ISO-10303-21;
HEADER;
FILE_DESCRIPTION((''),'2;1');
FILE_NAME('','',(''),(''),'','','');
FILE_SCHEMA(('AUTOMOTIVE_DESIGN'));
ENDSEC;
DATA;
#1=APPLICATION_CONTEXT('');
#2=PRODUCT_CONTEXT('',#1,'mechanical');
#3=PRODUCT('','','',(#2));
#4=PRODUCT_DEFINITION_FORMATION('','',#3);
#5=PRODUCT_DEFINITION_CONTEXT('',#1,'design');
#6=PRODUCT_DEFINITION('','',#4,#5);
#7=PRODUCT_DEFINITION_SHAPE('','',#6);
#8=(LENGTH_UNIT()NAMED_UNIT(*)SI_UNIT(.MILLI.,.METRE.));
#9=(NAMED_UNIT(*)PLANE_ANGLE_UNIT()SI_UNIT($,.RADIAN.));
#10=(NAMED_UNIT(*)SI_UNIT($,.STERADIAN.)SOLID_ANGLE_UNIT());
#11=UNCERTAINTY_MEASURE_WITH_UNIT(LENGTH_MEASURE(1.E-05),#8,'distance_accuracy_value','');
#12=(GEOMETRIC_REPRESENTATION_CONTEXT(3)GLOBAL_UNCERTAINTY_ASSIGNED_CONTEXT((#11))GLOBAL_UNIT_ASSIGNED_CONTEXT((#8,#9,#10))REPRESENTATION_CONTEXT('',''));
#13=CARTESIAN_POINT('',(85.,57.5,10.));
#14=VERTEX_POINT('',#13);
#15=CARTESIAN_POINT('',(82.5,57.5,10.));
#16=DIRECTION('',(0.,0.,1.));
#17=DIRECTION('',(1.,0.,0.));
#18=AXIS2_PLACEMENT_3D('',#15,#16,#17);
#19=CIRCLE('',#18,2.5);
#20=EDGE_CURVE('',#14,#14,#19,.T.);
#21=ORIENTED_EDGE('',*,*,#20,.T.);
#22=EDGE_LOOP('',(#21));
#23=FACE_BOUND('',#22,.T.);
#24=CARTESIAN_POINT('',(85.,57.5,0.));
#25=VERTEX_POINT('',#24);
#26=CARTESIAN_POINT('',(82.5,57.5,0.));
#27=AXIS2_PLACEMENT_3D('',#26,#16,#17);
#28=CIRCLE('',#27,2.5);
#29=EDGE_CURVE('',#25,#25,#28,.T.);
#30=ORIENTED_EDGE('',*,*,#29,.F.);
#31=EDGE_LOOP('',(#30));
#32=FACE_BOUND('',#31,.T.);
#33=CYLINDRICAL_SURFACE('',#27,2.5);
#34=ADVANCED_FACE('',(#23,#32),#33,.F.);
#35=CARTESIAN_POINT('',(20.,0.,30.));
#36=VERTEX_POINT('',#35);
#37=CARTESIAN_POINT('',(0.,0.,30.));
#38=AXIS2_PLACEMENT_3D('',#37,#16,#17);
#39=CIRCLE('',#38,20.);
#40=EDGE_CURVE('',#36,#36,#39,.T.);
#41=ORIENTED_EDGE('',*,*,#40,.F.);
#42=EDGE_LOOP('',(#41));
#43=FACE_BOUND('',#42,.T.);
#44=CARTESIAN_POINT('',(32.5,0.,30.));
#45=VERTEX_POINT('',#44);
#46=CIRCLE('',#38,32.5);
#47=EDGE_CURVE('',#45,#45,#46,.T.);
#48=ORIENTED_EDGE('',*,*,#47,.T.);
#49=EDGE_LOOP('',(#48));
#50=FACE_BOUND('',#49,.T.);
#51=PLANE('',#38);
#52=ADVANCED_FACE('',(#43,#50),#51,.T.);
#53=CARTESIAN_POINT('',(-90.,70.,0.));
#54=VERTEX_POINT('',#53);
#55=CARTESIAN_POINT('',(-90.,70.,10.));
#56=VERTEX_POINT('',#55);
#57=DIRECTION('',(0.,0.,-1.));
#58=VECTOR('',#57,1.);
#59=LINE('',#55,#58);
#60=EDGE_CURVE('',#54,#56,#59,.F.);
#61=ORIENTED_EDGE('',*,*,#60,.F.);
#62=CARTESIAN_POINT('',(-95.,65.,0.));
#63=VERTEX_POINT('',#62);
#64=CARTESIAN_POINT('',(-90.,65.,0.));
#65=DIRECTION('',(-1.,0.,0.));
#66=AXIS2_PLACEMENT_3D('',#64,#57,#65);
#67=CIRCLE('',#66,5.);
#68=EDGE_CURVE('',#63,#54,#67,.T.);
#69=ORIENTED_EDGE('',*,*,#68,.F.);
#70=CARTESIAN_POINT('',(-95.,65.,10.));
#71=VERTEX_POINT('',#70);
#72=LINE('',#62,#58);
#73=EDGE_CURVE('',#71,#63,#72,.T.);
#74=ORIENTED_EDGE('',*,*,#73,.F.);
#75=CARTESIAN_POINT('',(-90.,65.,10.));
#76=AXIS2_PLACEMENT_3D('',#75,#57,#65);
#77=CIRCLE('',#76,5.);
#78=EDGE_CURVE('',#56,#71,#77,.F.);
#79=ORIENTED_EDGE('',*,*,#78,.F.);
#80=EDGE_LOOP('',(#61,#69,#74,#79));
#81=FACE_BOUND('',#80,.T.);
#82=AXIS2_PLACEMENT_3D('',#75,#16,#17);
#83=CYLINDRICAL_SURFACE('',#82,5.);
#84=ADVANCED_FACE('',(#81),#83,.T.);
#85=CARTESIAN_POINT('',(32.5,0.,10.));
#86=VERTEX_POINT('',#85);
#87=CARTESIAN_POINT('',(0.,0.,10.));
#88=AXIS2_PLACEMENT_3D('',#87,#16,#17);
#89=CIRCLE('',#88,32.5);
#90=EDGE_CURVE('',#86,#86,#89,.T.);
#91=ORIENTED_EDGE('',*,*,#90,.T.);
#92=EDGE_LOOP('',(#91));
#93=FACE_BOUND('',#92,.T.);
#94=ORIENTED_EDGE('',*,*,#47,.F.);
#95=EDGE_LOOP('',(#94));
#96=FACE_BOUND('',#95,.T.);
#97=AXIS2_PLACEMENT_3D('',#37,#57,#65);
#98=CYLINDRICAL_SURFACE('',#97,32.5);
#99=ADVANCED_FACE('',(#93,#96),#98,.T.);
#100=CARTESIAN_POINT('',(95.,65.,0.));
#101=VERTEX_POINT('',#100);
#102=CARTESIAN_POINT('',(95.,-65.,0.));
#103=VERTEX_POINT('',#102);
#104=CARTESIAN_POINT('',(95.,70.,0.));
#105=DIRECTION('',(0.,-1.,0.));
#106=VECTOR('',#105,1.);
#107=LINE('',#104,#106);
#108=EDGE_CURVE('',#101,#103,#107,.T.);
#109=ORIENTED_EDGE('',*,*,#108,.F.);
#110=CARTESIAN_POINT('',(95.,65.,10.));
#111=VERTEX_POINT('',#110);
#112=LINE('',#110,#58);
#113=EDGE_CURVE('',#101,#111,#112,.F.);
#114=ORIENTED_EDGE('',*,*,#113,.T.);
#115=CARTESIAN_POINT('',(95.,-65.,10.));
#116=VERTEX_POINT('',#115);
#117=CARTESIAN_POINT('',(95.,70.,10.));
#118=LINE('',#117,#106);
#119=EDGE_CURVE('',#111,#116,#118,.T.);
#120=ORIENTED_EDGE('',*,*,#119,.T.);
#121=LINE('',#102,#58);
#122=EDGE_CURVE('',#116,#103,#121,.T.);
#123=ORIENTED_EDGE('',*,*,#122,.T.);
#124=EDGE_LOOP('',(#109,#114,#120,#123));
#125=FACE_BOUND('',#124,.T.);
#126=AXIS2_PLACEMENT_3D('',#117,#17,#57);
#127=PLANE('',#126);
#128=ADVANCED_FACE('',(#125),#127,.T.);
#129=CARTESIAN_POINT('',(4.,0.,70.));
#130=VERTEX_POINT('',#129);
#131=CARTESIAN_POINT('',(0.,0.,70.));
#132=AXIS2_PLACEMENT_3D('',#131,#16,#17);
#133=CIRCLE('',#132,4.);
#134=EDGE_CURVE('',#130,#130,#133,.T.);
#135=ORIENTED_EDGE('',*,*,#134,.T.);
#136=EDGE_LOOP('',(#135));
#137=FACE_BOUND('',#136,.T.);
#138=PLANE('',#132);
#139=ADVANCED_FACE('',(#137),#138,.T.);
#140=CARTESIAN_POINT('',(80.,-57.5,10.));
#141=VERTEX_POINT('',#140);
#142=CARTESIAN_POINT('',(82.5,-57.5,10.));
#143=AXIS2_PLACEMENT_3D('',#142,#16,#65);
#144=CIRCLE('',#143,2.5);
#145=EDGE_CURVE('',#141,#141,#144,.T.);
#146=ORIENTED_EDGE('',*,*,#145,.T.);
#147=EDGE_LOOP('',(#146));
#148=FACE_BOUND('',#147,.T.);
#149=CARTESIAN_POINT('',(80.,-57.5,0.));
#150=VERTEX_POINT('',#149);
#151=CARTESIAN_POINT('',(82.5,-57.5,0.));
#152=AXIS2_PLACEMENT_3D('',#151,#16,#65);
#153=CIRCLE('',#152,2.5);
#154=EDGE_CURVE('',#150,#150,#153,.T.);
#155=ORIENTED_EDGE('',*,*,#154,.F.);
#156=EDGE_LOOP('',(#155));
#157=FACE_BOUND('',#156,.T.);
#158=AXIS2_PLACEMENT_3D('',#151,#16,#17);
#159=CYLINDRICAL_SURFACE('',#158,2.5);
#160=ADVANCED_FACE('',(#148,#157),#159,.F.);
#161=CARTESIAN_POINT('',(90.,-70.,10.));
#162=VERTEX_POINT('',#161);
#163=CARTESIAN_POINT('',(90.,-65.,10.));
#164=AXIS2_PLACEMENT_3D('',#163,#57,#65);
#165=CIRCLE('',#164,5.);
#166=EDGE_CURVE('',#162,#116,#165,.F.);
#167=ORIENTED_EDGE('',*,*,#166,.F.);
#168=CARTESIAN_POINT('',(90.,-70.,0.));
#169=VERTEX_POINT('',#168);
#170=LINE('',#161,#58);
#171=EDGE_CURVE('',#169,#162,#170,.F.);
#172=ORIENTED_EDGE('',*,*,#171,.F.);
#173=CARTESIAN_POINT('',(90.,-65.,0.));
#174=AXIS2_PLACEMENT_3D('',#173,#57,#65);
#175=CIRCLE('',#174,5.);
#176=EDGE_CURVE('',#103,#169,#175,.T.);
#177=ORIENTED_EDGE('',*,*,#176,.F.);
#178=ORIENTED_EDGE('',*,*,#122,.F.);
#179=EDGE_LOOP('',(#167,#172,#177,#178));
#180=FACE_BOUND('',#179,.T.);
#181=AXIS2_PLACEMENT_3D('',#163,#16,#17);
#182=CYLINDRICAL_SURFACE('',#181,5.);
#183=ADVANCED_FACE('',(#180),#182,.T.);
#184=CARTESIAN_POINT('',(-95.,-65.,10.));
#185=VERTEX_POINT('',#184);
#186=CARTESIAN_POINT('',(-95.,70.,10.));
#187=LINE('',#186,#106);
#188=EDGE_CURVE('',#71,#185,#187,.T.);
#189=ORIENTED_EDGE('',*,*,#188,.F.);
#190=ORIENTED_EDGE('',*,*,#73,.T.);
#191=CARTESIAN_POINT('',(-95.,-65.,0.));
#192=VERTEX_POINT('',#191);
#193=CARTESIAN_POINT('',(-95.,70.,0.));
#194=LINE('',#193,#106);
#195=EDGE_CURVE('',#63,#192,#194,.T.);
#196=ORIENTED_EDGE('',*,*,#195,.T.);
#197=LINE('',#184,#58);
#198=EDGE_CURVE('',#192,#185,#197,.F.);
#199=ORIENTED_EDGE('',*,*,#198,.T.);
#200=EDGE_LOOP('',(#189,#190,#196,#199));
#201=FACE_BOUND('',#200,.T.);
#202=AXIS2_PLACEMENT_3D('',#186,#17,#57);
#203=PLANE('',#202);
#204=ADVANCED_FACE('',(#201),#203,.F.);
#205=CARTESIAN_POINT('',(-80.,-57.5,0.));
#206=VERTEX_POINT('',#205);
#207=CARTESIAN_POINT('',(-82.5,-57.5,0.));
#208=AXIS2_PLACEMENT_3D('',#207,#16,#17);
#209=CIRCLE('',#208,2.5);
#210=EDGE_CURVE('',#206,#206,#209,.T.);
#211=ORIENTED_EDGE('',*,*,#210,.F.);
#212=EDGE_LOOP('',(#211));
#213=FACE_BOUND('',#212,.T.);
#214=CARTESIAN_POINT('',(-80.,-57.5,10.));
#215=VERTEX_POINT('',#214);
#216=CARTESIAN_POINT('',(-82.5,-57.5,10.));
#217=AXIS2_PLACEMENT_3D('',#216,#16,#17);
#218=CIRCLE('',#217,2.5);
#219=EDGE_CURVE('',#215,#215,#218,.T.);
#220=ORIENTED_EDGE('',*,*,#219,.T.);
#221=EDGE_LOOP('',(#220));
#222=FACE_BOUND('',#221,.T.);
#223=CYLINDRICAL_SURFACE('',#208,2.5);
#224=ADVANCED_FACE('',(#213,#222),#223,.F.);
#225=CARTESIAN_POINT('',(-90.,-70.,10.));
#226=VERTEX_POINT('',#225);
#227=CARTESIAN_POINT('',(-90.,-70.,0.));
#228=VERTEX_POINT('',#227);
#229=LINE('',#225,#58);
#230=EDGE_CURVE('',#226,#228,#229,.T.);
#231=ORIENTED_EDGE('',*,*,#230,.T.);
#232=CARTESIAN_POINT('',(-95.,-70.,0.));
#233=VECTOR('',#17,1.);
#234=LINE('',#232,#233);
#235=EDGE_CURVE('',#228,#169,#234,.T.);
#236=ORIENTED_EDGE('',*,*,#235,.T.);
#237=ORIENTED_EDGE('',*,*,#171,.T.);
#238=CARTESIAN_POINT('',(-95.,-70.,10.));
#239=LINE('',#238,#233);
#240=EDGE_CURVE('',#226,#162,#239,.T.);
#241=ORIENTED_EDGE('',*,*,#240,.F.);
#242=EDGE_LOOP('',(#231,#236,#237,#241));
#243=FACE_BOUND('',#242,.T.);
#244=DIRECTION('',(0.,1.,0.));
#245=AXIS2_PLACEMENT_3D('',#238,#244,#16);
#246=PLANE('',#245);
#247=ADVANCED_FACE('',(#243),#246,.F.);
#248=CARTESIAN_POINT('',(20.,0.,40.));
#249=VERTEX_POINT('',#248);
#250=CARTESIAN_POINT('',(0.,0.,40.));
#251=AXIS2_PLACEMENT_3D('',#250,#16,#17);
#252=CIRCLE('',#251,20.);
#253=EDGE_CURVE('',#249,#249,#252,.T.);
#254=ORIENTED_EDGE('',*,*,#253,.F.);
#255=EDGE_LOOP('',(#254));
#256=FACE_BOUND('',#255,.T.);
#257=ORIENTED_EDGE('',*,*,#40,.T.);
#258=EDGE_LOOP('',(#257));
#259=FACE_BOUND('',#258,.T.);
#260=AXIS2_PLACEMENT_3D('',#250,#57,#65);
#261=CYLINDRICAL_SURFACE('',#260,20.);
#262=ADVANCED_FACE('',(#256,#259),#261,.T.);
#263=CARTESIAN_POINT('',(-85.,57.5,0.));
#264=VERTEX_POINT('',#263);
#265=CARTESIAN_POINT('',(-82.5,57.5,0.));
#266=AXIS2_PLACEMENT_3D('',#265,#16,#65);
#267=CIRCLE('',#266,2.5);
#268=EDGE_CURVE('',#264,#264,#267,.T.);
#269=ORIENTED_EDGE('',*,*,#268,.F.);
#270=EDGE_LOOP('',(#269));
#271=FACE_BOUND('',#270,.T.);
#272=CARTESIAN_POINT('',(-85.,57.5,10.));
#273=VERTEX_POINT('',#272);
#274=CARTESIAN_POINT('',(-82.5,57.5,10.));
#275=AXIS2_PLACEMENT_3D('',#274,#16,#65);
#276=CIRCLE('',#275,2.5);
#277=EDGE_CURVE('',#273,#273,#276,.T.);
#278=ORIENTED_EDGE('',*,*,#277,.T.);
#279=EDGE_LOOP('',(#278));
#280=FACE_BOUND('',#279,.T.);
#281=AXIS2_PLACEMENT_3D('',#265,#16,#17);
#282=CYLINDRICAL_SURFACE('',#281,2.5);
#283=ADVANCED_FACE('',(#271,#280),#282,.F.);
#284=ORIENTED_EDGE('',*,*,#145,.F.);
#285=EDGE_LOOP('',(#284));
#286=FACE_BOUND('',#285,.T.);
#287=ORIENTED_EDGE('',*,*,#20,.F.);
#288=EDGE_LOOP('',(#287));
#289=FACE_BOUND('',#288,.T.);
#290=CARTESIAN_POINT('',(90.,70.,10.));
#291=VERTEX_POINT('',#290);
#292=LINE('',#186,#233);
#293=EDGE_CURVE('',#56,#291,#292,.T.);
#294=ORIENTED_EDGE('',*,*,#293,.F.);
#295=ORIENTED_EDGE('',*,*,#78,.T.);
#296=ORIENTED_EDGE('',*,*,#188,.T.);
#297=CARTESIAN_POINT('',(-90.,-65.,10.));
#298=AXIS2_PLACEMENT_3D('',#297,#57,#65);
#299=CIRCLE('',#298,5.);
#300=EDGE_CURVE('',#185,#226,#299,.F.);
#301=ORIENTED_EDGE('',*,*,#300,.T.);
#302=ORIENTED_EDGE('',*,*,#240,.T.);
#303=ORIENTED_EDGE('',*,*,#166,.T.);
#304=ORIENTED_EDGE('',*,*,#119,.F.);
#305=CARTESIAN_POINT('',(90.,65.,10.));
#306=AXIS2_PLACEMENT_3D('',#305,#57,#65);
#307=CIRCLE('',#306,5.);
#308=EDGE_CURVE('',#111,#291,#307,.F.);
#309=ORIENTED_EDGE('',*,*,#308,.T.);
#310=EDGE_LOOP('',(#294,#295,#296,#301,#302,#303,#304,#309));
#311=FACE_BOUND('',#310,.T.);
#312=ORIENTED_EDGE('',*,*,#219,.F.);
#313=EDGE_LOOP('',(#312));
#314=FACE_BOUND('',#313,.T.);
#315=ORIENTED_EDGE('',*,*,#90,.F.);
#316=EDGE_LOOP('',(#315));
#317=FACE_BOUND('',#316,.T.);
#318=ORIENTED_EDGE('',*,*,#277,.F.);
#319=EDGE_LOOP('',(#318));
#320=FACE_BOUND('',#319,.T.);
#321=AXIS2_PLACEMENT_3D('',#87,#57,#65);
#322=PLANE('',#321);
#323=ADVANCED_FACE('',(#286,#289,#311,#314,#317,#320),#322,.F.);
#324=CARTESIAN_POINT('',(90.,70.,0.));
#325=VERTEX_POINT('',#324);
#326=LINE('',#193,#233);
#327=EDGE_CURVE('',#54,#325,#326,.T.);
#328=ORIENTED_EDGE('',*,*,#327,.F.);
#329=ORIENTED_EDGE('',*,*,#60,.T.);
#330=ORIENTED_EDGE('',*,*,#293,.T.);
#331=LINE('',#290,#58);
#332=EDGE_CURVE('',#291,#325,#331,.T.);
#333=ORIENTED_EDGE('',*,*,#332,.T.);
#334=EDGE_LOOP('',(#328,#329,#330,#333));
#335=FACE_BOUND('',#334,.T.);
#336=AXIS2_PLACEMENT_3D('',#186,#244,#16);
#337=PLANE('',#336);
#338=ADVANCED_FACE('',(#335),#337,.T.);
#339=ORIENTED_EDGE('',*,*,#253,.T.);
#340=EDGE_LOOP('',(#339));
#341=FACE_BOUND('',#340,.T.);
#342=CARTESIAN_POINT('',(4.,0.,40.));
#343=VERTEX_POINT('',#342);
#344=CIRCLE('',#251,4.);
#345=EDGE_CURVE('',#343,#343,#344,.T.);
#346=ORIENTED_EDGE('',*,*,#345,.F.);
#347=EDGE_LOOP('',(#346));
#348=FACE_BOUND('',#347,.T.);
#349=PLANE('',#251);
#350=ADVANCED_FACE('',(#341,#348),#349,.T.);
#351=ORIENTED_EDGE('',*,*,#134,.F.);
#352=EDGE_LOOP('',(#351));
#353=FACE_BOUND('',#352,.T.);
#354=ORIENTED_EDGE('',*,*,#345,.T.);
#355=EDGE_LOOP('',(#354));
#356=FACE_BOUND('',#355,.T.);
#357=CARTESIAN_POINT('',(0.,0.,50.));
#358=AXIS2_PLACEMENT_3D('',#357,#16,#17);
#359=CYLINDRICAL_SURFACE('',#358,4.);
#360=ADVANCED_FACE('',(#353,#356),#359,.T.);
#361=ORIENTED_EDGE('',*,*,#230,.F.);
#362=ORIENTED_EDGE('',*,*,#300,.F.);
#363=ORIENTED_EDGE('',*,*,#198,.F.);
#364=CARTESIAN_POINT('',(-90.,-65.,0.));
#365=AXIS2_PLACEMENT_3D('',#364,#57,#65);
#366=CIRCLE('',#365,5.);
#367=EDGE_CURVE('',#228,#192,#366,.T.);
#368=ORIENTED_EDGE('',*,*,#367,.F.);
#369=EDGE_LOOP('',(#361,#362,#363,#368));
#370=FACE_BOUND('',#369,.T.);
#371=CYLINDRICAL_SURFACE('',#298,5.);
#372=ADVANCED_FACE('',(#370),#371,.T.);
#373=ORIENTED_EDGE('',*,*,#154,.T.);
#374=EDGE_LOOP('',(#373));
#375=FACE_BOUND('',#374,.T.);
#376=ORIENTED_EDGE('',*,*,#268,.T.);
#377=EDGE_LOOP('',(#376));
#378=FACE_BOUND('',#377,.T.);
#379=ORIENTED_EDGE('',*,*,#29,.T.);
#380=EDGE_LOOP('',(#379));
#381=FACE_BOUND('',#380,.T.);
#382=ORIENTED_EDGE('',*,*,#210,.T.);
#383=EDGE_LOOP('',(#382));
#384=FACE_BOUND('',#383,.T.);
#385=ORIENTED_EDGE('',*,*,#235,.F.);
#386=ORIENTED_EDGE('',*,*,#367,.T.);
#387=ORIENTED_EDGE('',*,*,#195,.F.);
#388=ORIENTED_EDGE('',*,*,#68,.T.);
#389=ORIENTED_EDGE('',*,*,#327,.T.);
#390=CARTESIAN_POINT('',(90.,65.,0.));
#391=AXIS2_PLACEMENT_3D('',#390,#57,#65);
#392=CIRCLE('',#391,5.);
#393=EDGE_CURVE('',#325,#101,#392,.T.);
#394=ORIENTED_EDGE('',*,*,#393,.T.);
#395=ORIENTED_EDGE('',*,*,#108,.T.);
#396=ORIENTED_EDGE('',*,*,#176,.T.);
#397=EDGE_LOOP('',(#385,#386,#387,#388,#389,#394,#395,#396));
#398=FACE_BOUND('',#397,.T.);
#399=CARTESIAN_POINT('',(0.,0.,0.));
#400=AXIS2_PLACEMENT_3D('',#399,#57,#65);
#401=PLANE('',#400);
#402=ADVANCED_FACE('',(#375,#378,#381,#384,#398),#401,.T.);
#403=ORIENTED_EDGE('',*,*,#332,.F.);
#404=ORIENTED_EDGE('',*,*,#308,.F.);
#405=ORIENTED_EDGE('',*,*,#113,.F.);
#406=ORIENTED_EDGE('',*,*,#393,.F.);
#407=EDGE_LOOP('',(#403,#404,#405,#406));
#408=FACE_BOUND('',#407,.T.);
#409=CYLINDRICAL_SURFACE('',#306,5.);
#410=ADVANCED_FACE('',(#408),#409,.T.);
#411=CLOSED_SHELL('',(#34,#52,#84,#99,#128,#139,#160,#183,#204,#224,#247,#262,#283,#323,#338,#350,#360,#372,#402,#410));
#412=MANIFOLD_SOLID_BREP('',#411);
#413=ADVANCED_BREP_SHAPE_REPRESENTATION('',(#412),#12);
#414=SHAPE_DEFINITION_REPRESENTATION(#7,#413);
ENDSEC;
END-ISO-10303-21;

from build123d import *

# Parameters (mm, degrees)
SKETCH_1_W          = 190
SKETCH_1_H          = 140
EXTRUDE_1_DEPTH     = 10
FILLET_1_R          = 5
SKETCH_2_R          = 32.5
EXTRUDE_2_DEPTH     = 20
SKETCH_3_R          = 20
EXTRUDE_3_DEPTH     = 10
SKETCH_4_R          = 10
EXTRUDE_4_DEPTH     = 20
CUT_EXTRUDE_START   = -10
SKETCH_5_R          = 10
SKETCH_5_R_2        = 4
CUT_EXTRUDE_1_DEPTH = 10
SKETCH_6_R          = 10
SKETCH_6_R_2        = 4
CUT_EXTRUDE_2_DEPTH = 10
SKETCH_7_R          = 4
EXTRUDE_5_DEPTH     = 10
SKETCH_8_R          = 2.5
CUT_EXTRUDE_3_DEPTH = 10


with BuildPart() as part:
    # 草图1 → 凸台-拉伸1 (new body)
    with BuildSketch(Plane.XY):
        Rectangle(SKETCH_1_W, SKETCH_1_H)
    extrude(amount=EXTRUDE_1_DEPTH)

    # 圆角1
    fillet_1_edges = [part.edges().sort_by_distance(p)[0] for p in [
        (-95, -70, 5),
        (-95, 70, 5),
        (95, 70, 5),
        (95, -70, 5),
    ]]
    fillet(fillet_1_edges, radius=FILLET_1_R)

    # 草图2 → 凸台-拉伸2 (add)
    with BuildSketch(Plane.XY.offset(10)):
        Circle(SKETCH_2_R)
    extrude(amount=EXTRUDE_2_DEPTH)

    # 草图3 → 凸台-拉伸3 (add)
    with BuildSketch(Plane.XY.offset(30)):
        Circle(SKETCH_3_R)
    extrude(amount=EXTRUDE_3_DEPTH)

    # 草图4 → 凸台-拉伸4 (add)
    with BuildSketch(Plane.XY.offset(40)):
        Circle(SKETCH_4_R)
    extrude(amount=EXTRUDE_4_DEPTH)

    # 草图5 → 切除-拉伸1 (cut)
    with BuildSketch(Plane.XY.offset(60).offset(CUT_EXTRUDE_START)):
        Circle(SKETCH_5_R)
        Circle(SKETCH_5_R_2, mode=Mode.SUBTRACT)
    extrude(amount=CUT_EXTRUDE_1_DEPTH, mode=Mode.SUBTRACT)

    # 草图6 → 切除-拉伸2 (cut)
    with BuildSketch(Plane.XY.offset(50).offset(CUT_EXTRUDE_START)):
        Circle(SKETCH_6_R)
        Circle(SKETCH_6_R_2, mode=Mode.SUBTRACT)
    extrude(amount=CUT_EXTRUDE_2_DEPTH, mode=Mode.SUBTRACT)

    # 草图7 → 凸台-拉伸5 (add)
    with BuildSketch(Plane.XY.offset(60)):
        Circle(SKETCH_7_R)
    extrude(amount=EXTRUDE_5_DEPTH)

    # 草图8 → 切除-拉伸3 (cut)
    with BuildSketch(Plane.XY.offset(10)):
        with Locations((82.5, 57.5)):
            Circle(SKETCH_8_R)
        with Locations(Location((82.5, -57.5, 0), (0, 0, 180))):
            Circle(SKETCH_8_R)
        with Locations((-82.5, -57.5)):
            Circle(SKETCH_8_R)
        with Locations(Location((-82.5, 57.5, 0), (0, 0, 180))):
            Circle(SKETCH_8_R)
    extrude(amount=-CUT_EXTRUDE_3_DEPTH, mode=Mode.SUBTRACT)


solid = part.part
